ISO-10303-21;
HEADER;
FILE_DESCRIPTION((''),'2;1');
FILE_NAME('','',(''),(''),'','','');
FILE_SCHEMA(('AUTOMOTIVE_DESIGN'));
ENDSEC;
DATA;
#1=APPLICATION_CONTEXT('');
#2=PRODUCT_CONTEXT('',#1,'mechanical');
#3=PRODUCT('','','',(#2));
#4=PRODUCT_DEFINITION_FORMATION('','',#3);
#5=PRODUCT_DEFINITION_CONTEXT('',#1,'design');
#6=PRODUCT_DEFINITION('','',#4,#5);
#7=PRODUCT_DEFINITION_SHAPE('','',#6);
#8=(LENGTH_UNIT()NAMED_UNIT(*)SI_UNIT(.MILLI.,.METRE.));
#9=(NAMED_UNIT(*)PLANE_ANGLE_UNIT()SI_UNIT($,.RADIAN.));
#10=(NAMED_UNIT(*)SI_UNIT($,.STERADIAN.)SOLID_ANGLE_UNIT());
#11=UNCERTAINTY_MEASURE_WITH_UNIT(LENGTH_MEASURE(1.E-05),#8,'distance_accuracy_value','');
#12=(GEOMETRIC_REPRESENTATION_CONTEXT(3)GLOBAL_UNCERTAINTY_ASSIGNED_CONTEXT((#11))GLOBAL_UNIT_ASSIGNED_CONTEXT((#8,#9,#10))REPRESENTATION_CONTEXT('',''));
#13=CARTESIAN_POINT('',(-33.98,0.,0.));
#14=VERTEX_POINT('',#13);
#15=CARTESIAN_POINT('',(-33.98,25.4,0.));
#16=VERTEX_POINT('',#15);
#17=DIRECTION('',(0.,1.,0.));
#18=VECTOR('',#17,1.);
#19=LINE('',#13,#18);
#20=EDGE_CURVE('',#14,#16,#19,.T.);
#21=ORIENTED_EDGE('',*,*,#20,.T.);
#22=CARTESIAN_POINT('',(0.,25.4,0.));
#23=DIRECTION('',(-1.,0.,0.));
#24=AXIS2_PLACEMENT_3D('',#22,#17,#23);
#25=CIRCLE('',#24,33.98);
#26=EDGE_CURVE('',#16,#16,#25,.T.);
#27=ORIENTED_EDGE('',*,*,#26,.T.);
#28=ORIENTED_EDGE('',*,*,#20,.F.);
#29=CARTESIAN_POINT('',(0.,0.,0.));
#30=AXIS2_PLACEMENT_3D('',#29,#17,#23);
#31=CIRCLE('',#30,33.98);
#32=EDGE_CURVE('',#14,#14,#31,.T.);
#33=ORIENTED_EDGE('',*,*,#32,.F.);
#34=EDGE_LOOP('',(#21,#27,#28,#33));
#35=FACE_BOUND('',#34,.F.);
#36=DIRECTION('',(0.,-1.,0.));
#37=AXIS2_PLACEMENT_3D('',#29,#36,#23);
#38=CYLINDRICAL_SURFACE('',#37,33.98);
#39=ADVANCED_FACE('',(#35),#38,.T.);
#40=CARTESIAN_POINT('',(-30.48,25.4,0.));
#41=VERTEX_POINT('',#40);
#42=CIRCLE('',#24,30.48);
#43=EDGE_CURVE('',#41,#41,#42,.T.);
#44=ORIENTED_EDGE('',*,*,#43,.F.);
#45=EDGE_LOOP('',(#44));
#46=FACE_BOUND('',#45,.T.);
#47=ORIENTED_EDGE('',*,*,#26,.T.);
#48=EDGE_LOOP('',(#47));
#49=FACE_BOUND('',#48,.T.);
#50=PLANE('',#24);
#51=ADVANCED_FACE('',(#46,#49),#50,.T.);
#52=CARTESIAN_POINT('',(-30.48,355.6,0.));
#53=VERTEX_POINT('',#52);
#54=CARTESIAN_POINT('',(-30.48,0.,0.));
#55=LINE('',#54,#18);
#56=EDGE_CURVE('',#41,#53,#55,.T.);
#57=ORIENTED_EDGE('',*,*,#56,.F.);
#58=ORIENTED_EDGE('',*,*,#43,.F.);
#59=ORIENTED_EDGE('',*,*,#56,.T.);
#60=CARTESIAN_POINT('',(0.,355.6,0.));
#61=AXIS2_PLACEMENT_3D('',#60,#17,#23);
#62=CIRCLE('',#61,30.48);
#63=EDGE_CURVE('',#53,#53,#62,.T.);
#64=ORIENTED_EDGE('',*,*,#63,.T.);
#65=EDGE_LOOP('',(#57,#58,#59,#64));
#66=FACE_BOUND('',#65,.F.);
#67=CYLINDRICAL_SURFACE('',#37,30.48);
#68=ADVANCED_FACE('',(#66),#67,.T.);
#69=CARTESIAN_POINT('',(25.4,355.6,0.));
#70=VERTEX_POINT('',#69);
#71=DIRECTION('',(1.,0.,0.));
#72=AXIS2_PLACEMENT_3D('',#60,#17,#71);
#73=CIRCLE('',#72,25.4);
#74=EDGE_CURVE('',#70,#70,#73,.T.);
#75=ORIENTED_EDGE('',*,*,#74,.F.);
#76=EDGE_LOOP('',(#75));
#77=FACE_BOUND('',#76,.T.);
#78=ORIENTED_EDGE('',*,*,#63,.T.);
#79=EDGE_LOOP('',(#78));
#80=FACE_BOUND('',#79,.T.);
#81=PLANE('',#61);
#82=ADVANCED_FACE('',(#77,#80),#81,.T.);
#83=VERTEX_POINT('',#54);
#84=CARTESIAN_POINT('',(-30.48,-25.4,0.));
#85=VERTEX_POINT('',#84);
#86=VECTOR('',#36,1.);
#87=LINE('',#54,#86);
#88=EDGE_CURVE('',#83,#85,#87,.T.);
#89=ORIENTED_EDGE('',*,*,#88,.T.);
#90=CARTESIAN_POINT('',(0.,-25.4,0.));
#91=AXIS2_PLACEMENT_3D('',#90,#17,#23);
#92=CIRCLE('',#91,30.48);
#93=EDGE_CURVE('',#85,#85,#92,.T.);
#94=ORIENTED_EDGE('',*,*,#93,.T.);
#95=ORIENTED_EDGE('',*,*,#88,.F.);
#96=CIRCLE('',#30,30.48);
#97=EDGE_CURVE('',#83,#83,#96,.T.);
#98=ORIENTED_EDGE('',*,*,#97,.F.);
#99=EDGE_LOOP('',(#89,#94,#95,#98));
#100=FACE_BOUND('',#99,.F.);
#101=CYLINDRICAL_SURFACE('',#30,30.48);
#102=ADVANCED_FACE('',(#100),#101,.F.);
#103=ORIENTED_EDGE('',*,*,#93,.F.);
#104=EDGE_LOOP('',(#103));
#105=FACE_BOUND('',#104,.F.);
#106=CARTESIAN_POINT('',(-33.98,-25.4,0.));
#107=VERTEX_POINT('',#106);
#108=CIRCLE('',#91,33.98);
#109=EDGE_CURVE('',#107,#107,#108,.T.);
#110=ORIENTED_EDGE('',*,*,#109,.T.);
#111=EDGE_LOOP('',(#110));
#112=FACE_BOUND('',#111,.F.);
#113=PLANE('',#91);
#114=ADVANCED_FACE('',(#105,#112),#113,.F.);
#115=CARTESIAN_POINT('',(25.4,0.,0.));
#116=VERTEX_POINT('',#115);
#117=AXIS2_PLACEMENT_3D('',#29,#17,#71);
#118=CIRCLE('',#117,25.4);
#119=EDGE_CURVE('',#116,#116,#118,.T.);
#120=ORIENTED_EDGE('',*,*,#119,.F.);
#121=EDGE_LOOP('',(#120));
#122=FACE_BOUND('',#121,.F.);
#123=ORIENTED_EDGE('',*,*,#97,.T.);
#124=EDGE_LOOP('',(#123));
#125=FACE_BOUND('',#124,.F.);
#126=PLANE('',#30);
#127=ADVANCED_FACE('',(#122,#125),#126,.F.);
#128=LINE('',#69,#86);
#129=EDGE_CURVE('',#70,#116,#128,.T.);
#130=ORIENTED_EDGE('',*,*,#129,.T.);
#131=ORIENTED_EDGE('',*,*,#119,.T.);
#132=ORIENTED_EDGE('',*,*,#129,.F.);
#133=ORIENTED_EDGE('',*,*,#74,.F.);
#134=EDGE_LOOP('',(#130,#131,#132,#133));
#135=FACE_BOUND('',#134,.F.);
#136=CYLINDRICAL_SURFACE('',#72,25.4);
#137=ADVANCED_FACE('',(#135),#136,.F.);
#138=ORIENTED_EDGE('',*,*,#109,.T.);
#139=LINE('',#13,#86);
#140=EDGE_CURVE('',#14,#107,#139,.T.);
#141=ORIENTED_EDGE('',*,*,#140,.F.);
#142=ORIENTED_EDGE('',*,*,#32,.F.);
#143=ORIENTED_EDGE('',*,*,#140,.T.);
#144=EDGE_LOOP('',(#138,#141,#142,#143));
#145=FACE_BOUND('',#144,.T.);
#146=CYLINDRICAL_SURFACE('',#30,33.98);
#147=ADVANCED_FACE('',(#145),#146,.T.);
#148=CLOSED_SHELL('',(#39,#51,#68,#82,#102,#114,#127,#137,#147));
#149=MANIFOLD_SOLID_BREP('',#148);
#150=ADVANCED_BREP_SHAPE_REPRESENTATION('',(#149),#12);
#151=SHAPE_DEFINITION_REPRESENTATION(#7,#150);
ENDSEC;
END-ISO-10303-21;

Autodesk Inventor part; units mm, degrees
ref_plane "YZ Plane" through (0, 0, 0) normal (1, 0, 0) x (0, 1, 0)
ref_plane "XZ Plane" through (0, 0, 0) normal (0, 1, 0) x (-1, 0, 0)
ref_plane "XY Plane" through (0, 0, 0) normal (0, 0, 1) x (1, 0, 0)
sketch "Sketch1" plane through (0, 0, 0) normal (0, 1, 0) x (-1, 0, 0)
  circle A0 centre (0, 0) radius 30.48
  dimension "d0" = 60.96
extrude "Extrusion1" add sketch "Sketch1" along normal blind 355.6
sketch "Sketch2" plane through (0, 0, 0) normal (0, 1, 0) x (-1, 0, 0)
  circle A0 centre (0, 0) radius 33.98
  circle A1 centre (0, 0) radius 30.48 projected
  dimension "d3" = 3.5
extrude "Extrusion2" add sketch "Sketch2" along normal mid plane 50.8
sketch "Sketch3" plane through (0, 355.6, 0) normal (0, 1, 0) x (1, 0, 0)
  circle A0 centre (0, 0) radius 25.4
  dimension "d6" = 50.8
extrude "Extrusion3" cut sketch "Sketch3" against normal through all
properties part number "Water Sensor Shaft" material "PVC-Piping"
